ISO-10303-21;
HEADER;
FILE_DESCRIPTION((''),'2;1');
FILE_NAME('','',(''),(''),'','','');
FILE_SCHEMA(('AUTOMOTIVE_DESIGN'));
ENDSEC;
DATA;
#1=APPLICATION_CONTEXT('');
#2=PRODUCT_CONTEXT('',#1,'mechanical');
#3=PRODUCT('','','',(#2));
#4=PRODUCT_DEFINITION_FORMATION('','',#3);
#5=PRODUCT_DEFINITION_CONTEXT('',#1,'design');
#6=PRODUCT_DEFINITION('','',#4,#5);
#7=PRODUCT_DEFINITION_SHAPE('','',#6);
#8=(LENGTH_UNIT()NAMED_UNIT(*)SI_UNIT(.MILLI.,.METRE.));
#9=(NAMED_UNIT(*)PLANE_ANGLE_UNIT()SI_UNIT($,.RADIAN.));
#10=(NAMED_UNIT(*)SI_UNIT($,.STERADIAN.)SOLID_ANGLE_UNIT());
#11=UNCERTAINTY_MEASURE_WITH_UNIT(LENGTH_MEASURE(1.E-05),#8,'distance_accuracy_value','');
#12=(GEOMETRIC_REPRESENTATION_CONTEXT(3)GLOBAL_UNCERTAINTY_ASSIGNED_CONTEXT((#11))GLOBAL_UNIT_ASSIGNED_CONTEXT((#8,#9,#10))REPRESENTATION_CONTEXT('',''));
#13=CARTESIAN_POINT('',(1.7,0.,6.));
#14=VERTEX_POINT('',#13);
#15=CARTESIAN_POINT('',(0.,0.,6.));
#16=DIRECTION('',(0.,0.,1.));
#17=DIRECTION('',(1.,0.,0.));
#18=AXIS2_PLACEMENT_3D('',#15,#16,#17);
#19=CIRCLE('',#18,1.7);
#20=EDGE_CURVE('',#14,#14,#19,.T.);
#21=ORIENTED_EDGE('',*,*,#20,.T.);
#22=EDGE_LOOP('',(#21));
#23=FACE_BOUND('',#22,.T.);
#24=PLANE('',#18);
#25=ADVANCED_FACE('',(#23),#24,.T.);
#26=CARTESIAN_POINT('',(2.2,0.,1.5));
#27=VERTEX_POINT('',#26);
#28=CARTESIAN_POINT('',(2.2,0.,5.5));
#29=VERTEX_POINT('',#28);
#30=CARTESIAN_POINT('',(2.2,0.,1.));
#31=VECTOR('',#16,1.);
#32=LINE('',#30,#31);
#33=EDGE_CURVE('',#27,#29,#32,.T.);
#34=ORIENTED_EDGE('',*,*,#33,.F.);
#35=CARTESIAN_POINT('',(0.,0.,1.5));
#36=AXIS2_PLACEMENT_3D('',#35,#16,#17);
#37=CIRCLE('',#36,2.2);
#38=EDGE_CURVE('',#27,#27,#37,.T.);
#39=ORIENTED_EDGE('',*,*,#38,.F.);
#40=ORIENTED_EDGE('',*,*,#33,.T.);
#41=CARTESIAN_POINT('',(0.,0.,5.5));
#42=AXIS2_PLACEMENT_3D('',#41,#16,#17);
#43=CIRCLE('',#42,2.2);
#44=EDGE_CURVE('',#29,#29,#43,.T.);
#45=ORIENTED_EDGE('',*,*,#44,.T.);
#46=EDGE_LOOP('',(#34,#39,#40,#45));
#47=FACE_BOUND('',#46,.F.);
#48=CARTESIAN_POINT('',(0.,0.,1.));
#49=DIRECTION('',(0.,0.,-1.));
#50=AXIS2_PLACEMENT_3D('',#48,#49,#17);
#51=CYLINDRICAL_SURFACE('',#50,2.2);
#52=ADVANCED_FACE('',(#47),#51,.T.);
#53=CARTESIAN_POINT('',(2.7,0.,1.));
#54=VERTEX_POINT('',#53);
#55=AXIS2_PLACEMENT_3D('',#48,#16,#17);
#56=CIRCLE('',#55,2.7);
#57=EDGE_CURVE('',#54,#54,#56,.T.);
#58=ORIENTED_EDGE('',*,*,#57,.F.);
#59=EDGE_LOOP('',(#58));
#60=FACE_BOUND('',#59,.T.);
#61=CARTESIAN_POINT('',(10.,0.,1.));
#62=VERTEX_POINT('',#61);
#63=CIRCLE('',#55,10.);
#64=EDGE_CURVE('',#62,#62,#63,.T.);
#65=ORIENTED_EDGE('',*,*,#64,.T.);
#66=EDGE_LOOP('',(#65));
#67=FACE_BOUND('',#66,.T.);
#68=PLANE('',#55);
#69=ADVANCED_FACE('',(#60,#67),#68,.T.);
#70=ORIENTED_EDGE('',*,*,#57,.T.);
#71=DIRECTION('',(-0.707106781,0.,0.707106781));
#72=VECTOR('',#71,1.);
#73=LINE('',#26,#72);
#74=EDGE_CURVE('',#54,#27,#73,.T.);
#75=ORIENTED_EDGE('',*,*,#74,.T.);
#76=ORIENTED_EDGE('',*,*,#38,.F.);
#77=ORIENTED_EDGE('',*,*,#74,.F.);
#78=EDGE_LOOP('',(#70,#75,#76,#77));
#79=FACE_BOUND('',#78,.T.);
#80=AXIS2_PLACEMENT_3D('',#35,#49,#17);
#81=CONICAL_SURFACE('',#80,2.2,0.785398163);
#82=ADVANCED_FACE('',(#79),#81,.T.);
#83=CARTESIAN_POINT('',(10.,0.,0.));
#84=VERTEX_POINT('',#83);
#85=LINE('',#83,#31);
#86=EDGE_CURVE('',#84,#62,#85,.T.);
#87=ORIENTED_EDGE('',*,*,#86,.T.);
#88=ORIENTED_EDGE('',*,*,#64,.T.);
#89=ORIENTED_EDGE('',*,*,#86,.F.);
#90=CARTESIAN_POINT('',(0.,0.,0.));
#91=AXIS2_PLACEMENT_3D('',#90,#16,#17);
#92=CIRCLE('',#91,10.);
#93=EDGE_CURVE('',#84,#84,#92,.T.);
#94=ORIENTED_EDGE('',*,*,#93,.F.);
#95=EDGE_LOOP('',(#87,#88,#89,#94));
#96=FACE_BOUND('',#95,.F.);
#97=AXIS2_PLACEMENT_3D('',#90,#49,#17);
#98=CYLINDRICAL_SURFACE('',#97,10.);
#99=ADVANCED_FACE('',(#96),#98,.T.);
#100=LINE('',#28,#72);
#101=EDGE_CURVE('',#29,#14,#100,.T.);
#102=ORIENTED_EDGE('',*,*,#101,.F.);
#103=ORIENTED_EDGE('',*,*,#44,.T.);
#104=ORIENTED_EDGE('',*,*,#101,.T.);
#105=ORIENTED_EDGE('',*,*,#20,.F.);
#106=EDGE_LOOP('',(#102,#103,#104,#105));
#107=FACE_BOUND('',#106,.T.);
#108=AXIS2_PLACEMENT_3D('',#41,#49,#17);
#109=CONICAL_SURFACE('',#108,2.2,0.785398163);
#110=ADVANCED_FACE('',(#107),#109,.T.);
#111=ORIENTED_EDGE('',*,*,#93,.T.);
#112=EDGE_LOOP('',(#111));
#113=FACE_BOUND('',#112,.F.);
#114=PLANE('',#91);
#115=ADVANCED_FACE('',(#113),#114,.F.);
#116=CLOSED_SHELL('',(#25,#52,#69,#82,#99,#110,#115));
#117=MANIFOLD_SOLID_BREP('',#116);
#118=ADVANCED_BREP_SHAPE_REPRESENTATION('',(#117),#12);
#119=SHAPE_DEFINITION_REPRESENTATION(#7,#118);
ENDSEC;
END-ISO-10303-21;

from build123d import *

# Parameters (mm, degrees)
F0_R     = 10
F1_DEPTH = 1
F2_R     = 2.2
F3_DEPTH = 5
F4_SIZE  = 0.5


with BuildPart() as f1:
    # F0 (on Top) → F1 (new body)
    with BuildSketch(Plane.XY):
        Circle(F0_R)
    extrude(amount=F1_DEPTH)

    # F2 (on face) → F3 (join)
    with BuildSketch(Plane.XY.offset(1)):
        Circle(F2_R)
    extrude(amount=F3_DEPTH)

    # F4
    f4_edges = [f1.edges().sort_by_distance(p)[0] for p in [
        (-2.2, 0, 1),
        (-2.2, 0, 6),
    ]]
    chamfer(f4_edges, length=F4_SIZE)


solid = f1.part
